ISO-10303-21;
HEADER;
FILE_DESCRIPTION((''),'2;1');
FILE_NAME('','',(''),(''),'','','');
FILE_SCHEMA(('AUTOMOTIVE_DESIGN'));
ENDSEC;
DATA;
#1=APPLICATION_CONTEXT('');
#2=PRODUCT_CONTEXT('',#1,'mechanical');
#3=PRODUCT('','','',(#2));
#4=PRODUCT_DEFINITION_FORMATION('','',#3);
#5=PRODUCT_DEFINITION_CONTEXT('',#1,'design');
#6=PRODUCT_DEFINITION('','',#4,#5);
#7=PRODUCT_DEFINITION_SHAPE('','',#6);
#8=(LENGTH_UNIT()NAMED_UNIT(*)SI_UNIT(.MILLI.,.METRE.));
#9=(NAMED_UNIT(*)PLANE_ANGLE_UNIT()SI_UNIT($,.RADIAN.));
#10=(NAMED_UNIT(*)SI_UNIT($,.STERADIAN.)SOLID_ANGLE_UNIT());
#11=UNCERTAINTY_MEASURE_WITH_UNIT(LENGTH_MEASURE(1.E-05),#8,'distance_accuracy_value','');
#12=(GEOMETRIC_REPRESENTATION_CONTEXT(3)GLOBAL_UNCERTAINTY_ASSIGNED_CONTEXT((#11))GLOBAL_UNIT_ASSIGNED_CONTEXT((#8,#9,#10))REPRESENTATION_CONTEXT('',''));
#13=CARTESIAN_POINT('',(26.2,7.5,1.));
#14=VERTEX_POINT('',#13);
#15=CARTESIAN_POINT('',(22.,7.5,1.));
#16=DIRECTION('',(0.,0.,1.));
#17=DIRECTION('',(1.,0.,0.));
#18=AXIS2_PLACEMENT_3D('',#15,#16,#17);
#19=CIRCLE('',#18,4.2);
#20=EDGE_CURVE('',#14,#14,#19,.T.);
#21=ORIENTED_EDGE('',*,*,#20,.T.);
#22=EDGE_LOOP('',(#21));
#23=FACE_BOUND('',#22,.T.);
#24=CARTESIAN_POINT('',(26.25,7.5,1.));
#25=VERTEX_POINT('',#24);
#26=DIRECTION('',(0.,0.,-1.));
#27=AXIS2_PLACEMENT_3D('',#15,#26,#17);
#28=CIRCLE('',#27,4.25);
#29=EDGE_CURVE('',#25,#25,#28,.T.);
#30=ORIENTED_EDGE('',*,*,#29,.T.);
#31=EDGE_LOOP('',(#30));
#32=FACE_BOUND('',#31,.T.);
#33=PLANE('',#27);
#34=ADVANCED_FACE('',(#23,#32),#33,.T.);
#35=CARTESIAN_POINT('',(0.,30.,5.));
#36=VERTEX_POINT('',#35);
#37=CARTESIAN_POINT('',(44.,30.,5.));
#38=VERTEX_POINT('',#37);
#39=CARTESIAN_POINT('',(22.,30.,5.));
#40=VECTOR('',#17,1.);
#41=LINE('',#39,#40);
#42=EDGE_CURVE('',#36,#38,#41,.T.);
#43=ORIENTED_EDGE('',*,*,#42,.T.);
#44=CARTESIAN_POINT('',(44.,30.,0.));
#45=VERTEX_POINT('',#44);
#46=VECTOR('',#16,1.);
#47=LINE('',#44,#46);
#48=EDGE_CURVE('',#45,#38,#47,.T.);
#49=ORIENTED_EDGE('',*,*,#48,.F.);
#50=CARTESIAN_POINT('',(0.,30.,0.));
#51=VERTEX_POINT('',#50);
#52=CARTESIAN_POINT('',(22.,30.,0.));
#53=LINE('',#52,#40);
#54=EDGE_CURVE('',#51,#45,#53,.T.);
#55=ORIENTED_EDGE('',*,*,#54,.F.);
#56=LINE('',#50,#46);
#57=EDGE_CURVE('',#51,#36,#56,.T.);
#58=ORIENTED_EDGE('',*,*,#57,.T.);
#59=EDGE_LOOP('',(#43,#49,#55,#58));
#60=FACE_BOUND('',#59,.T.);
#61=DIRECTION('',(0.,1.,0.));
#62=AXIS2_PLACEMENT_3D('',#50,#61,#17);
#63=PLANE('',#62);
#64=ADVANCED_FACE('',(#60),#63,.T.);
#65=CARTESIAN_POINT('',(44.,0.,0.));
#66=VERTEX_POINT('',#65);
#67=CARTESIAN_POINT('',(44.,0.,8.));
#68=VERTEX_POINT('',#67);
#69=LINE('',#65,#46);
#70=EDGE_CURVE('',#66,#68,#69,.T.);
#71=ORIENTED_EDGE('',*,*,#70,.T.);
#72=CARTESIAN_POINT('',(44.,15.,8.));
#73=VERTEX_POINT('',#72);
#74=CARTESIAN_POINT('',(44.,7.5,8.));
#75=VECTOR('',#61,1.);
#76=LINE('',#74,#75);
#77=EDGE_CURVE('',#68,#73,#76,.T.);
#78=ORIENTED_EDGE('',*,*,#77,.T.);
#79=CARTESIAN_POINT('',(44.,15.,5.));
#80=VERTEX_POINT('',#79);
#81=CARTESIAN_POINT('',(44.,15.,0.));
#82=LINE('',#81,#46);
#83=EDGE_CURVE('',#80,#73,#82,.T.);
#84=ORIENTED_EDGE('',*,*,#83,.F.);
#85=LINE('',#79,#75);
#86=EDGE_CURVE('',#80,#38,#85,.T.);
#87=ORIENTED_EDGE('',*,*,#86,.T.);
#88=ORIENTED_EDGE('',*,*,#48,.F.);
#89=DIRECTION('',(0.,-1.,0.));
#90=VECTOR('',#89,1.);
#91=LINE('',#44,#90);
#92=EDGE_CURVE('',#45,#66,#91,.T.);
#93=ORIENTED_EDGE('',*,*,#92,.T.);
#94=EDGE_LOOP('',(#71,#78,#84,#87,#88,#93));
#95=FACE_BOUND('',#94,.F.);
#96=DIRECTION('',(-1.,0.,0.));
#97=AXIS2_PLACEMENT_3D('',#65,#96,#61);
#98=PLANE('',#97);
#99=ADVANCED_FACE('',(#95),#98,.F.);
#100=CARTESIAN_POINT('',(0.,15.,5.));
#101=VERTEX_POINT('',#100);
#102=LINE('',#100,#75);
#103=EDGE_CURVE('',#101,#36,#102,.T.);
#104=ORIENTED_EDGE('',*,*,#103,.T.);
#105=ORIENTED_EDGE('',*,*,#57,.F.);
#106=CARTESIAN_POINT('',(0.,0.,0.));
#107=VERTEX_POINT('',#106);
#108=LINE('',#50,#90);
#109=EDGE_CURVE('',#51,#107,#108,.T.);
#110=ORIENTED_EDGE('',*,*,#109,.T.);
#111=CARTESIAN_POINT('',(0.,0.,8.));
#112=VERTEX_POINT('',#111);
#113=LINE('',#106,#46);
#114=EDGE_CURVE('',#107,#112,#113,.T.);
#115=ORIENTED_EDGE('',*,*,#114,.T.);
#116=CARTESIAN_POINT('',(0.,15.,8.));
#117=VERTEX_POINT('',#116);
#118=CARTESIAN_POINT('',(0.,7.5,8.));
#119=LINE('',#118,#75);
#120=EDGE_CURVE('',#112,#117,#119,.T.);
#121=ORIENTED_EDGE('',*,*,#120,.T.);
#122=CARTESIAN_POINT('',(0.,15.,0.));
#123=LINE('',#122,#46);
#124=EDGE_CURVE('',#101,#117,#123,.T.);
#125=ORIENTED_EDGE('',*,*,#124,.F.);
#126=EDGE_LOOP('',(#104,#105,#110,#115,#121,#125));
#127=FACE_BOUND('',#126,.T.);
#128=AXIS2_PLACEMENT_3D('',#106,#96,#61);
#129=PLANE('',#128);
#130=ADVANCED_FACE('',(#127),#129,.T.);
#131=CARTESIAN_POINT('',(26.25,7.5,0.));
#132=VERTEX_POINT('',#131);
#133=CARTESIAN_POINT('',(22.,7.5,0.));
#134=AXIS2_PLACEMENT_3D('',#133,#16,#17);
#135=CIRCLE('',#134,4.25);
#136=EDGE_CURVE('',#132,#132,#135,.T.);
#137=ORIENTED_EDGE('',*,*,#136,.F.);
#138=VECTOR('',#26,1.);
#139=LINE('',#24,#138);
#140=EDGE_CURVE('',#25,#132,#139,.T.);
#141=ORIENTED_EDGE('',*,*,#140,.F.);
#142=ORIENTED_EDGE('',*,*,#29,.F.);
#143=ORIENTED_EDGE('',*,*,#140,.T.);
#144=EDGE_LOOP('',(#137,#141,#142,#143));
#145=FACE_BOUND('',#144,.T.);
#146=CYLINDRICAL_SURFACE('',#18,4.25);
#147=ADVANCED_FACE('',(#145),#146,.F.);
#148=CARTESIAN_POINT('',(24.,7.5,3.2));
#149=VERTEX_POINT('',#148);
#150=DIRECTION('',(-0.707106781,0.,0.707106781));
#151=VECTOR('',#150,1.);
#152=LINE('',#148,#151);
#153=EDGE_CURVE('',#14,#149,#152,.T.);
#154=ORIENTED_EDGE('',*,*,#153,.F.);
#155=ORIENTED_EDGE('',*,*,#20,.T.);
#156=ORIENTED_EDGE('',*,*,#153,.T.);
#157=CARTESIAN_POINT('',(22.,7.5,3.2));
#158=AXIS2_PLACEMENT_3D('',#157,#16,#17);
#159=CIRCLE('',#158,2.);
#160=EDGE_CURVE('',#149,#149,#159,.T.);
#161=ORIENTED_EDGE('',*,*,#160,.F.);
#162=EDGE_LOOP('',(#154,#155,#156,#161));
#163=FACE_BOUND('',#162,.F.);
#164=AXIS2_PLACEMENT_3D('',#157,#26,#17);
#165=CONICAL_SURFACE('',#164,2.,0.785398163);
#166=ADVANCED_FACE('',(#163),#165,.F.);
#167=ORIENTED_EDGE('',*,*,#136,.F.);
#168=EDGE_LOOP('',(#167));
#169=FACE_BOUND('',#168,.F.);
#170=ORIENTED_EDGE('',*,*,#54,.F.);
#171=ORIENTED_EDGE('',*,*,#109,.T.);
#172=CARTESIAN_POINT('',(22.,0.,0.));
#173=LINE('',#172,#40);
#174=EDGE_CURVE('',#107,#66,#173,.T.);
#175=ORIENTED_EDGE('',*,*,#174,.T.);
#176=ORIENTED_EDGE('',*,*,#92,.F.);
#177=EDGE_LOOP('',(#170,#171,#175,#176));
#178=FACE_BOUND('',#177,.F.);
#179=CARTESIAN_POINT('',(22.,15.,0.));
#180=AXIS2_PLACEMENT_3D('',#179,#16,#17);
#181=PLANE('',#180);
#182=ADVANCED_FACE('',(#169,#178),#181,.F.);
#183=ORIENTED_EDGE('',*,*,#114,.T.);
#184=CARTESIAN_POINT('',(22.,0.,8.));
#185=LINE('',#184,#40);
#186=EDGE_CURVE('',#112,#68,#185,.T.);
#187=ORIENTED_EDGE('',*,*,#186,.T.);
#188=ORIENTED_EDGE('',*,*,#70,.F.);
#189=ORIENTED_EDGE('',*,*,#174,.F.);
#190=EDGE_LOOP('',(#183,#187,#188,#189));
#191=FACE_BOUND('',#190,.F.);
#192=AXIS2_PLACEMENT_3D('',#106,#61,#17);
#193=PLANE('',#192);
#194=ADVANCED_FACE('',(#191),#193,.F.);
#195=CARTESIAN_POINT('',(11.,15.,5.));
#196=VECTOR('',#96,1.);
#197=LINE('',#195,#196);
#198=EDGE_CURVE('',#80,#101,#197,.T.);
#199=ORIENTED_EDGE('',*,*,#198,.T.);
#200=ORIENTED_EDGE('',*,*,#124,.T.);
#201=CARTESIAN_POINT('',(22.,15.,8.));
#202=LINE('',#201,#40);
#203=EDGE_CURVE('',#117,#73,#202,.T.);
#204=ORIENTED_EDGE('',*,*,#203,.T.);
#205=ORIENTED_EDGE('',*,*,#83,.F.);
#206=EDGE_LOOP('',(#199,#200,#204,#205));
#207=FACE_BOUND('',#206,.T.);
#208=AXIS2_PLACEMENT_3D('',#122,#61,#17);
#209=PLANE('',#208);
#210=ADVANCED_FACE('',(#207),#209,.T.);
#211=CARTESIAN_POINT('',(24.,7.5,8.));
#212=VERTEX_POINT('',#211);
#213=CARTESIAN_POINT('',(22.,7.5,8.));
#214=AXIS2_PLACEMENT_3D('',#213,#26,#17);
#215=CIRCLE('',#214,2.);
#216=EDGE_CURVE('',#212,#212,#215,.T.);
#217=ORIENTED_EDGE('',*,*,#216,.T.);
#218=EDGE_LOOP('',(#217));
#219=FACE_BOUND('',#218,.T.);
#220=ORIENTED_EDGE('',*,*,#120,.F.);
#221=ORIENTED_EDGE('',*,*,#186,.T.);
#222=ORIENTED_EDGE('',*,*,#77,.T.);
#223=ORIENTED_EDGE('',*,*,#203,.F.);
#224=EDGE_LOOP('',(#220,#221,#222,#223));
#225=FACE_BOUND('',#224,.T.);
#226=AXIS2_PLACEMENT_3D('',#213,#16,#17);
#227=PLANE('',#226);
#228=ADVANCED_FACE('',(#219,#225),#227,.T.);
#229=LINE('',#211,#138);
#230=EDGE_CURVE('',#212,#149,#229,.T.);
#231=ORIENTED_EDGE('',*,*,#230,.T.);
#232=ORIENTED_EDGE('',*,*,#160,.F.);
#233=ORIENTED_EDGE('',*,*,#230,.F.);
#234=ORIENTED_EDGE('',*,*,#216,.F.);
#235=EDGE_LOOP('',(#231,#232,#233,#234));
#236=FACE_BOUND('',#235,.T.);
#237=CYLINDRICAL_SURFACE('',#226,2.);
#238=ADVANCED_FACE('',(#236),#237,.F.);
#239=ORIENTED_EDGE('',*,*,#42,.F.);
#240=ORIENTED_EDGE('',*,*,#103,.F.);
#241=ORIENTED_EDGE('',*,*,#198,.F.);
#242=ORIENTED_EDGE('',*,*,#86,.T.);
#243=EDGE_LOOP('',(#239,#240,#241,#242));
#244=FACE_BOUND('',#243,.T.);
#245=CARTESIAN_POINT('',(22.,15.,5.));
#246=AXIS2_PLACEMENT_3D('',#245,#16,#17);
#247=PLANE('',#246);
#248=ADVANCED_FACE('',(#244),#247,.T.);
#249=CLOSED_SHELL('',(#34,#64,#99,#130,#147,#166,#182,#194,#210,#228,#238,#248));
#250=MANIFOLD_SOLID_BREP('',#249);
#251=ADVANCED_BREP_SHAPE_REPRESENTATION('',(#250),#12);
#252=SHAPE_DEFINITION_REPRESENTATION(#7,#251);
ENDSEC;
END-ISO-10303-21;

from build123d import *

# Parameters (mm, degrees)
CYLINDER007_R             = 4.25
CYLINDER007_DEPTH         = 10
CYLINDER008_R             = 2
CYLINDER008_DEPTH         = 10
FUSION008_PLACEMENT_ANGLE = 180
CYLINDER009_R             = 4.25
CYLINDER009_DEPTH         = 8
CYLINDER001_R             = 4.25
CYLINDER001_DEPTH         = 10
CYLINDER_R                = 2
CYLINDER_DEPTH            = 10
BOX001_W                  = 44
BOX001_H                  = 15
BOX001_DEPTH              = 8
BOX_W                     = 44
BOX_H                     = 30
BOX_DEPTH                 = 5
CHAMFER_SIZE              = 2.2
CHAMFER003_SIZE           = 2.2


with BuildPart() as cylinder007:
    # Cylinder007 → Cylinder007 (new body)
    with BuildSketch(Plane(origin=(22, 7.5, 7), x_dir=(1, 0, 0), z_dir=(0, 0, 1))):
        Circle(CYLINDER007_R)
    extrude(amount=CYLINDER007_DEPTH)


with BuildPart() as fusion008:
    # Cylinder008 → Cylinder008 (new body)
    with BuildSketch(Plane(origin=(22, 7.5, 0), x_dir=(1, 0, 0), z_dir=(0, 0, 1))):
        Circle(CYLINDER008_R)
    extrude(amount=CYLINDER008_DEPTH)

    # Fusion008: union Cylinder007
    add(cylinder007.part)


with BuildPart() as fusion008_1:
    # Fusion008 placement: moved
    add(fusion008.part.moved(Location((0, 15, 8))).rotate(Axis((0, 15, 8), (1, 0, 0)), FUSION008_PLACEMENT_ANGLE))


with BuildPart() as cylinder009:
    # Cylinder009 → Cylinder009 (new body)
    with BuildSketch(Plane(origin=(22, 7.5, 0), x_dir=(1, 0, 0), z_dir=(0, 0, 1))):
        Circle(CYLINDER009_R)
    extrude(amount=CYLINDER009_DEPTH)


with BuildPart() as cylinder001:
    # Cylinder001 → Cylinder001 (new body)
    with BuildSketch(Plane(origin=(22, 7.5, 7), x_dir=(1, 0, 0), z_dir=(0, 0, 1))):
        Circle(CYLINDER001_R)
    extrude(amount=CYLINDER001_DEPTH)


with BuildPart() as fusion001:
    # Cylinder → Cylinder (new body)
    with BuildSketch(Plane(origin=(22, 7.5, 0), x_dir=(1, 0, 0), z_dir=(0, 0, 1))):
        Circle(CYLINDER_R)
    extrude(amount=CYLINDER_DEPTH)

    # Fusion001: union Cylinder001
    add(cylinder001.part)


with BuildPart() as cube001:
    # Box001 → Box001 (new body)
    with BuildSketch(Plane.XY):
        with Locations((22, 7.5)):
            Rectangle(BOX001_W, BOX001_H)
    extrude(amount=BOX001_DEPTH)


with BuildPart() as chamfer003:
    # Box → Box (new body)
    with BuildSketch(Plane.XY):
        with Locations((22, 15)):
            Rectangle(BOX_W, BOX_H)
    extrude(amount=BOX_DEPTH)

    # Fusion: union Cube001
    add(cube001.part)

    # Cut: cut Fusion001
    add(fusion001.part, mode=Mode.SUBTRACT)

    # Chamfer
    chamfer_edges = [chamfer003.edges().sort_by_distance(p)[0] for p in [
        (20, 7.5, 7),
    ]]
    chamfer(chamfer_edges, length=CHAMFER_SIZE)

    # Fusion009: union Cylinder009
    add(cylinder009.part)

    # Cut003: cut Fusion008
    add(fusion008_1.part, mode=Mode.SUBTRACT)

    # Chamfer003
    chamfer003_edges = [chamfer003.edges().sort_by_distance(p)[0] for p in [
        (20, 7.5, 1),
    ]]
    chamfer(chamfer003_edges, length=CHAMFER003_SIZE)


solid = chamfer003.part
